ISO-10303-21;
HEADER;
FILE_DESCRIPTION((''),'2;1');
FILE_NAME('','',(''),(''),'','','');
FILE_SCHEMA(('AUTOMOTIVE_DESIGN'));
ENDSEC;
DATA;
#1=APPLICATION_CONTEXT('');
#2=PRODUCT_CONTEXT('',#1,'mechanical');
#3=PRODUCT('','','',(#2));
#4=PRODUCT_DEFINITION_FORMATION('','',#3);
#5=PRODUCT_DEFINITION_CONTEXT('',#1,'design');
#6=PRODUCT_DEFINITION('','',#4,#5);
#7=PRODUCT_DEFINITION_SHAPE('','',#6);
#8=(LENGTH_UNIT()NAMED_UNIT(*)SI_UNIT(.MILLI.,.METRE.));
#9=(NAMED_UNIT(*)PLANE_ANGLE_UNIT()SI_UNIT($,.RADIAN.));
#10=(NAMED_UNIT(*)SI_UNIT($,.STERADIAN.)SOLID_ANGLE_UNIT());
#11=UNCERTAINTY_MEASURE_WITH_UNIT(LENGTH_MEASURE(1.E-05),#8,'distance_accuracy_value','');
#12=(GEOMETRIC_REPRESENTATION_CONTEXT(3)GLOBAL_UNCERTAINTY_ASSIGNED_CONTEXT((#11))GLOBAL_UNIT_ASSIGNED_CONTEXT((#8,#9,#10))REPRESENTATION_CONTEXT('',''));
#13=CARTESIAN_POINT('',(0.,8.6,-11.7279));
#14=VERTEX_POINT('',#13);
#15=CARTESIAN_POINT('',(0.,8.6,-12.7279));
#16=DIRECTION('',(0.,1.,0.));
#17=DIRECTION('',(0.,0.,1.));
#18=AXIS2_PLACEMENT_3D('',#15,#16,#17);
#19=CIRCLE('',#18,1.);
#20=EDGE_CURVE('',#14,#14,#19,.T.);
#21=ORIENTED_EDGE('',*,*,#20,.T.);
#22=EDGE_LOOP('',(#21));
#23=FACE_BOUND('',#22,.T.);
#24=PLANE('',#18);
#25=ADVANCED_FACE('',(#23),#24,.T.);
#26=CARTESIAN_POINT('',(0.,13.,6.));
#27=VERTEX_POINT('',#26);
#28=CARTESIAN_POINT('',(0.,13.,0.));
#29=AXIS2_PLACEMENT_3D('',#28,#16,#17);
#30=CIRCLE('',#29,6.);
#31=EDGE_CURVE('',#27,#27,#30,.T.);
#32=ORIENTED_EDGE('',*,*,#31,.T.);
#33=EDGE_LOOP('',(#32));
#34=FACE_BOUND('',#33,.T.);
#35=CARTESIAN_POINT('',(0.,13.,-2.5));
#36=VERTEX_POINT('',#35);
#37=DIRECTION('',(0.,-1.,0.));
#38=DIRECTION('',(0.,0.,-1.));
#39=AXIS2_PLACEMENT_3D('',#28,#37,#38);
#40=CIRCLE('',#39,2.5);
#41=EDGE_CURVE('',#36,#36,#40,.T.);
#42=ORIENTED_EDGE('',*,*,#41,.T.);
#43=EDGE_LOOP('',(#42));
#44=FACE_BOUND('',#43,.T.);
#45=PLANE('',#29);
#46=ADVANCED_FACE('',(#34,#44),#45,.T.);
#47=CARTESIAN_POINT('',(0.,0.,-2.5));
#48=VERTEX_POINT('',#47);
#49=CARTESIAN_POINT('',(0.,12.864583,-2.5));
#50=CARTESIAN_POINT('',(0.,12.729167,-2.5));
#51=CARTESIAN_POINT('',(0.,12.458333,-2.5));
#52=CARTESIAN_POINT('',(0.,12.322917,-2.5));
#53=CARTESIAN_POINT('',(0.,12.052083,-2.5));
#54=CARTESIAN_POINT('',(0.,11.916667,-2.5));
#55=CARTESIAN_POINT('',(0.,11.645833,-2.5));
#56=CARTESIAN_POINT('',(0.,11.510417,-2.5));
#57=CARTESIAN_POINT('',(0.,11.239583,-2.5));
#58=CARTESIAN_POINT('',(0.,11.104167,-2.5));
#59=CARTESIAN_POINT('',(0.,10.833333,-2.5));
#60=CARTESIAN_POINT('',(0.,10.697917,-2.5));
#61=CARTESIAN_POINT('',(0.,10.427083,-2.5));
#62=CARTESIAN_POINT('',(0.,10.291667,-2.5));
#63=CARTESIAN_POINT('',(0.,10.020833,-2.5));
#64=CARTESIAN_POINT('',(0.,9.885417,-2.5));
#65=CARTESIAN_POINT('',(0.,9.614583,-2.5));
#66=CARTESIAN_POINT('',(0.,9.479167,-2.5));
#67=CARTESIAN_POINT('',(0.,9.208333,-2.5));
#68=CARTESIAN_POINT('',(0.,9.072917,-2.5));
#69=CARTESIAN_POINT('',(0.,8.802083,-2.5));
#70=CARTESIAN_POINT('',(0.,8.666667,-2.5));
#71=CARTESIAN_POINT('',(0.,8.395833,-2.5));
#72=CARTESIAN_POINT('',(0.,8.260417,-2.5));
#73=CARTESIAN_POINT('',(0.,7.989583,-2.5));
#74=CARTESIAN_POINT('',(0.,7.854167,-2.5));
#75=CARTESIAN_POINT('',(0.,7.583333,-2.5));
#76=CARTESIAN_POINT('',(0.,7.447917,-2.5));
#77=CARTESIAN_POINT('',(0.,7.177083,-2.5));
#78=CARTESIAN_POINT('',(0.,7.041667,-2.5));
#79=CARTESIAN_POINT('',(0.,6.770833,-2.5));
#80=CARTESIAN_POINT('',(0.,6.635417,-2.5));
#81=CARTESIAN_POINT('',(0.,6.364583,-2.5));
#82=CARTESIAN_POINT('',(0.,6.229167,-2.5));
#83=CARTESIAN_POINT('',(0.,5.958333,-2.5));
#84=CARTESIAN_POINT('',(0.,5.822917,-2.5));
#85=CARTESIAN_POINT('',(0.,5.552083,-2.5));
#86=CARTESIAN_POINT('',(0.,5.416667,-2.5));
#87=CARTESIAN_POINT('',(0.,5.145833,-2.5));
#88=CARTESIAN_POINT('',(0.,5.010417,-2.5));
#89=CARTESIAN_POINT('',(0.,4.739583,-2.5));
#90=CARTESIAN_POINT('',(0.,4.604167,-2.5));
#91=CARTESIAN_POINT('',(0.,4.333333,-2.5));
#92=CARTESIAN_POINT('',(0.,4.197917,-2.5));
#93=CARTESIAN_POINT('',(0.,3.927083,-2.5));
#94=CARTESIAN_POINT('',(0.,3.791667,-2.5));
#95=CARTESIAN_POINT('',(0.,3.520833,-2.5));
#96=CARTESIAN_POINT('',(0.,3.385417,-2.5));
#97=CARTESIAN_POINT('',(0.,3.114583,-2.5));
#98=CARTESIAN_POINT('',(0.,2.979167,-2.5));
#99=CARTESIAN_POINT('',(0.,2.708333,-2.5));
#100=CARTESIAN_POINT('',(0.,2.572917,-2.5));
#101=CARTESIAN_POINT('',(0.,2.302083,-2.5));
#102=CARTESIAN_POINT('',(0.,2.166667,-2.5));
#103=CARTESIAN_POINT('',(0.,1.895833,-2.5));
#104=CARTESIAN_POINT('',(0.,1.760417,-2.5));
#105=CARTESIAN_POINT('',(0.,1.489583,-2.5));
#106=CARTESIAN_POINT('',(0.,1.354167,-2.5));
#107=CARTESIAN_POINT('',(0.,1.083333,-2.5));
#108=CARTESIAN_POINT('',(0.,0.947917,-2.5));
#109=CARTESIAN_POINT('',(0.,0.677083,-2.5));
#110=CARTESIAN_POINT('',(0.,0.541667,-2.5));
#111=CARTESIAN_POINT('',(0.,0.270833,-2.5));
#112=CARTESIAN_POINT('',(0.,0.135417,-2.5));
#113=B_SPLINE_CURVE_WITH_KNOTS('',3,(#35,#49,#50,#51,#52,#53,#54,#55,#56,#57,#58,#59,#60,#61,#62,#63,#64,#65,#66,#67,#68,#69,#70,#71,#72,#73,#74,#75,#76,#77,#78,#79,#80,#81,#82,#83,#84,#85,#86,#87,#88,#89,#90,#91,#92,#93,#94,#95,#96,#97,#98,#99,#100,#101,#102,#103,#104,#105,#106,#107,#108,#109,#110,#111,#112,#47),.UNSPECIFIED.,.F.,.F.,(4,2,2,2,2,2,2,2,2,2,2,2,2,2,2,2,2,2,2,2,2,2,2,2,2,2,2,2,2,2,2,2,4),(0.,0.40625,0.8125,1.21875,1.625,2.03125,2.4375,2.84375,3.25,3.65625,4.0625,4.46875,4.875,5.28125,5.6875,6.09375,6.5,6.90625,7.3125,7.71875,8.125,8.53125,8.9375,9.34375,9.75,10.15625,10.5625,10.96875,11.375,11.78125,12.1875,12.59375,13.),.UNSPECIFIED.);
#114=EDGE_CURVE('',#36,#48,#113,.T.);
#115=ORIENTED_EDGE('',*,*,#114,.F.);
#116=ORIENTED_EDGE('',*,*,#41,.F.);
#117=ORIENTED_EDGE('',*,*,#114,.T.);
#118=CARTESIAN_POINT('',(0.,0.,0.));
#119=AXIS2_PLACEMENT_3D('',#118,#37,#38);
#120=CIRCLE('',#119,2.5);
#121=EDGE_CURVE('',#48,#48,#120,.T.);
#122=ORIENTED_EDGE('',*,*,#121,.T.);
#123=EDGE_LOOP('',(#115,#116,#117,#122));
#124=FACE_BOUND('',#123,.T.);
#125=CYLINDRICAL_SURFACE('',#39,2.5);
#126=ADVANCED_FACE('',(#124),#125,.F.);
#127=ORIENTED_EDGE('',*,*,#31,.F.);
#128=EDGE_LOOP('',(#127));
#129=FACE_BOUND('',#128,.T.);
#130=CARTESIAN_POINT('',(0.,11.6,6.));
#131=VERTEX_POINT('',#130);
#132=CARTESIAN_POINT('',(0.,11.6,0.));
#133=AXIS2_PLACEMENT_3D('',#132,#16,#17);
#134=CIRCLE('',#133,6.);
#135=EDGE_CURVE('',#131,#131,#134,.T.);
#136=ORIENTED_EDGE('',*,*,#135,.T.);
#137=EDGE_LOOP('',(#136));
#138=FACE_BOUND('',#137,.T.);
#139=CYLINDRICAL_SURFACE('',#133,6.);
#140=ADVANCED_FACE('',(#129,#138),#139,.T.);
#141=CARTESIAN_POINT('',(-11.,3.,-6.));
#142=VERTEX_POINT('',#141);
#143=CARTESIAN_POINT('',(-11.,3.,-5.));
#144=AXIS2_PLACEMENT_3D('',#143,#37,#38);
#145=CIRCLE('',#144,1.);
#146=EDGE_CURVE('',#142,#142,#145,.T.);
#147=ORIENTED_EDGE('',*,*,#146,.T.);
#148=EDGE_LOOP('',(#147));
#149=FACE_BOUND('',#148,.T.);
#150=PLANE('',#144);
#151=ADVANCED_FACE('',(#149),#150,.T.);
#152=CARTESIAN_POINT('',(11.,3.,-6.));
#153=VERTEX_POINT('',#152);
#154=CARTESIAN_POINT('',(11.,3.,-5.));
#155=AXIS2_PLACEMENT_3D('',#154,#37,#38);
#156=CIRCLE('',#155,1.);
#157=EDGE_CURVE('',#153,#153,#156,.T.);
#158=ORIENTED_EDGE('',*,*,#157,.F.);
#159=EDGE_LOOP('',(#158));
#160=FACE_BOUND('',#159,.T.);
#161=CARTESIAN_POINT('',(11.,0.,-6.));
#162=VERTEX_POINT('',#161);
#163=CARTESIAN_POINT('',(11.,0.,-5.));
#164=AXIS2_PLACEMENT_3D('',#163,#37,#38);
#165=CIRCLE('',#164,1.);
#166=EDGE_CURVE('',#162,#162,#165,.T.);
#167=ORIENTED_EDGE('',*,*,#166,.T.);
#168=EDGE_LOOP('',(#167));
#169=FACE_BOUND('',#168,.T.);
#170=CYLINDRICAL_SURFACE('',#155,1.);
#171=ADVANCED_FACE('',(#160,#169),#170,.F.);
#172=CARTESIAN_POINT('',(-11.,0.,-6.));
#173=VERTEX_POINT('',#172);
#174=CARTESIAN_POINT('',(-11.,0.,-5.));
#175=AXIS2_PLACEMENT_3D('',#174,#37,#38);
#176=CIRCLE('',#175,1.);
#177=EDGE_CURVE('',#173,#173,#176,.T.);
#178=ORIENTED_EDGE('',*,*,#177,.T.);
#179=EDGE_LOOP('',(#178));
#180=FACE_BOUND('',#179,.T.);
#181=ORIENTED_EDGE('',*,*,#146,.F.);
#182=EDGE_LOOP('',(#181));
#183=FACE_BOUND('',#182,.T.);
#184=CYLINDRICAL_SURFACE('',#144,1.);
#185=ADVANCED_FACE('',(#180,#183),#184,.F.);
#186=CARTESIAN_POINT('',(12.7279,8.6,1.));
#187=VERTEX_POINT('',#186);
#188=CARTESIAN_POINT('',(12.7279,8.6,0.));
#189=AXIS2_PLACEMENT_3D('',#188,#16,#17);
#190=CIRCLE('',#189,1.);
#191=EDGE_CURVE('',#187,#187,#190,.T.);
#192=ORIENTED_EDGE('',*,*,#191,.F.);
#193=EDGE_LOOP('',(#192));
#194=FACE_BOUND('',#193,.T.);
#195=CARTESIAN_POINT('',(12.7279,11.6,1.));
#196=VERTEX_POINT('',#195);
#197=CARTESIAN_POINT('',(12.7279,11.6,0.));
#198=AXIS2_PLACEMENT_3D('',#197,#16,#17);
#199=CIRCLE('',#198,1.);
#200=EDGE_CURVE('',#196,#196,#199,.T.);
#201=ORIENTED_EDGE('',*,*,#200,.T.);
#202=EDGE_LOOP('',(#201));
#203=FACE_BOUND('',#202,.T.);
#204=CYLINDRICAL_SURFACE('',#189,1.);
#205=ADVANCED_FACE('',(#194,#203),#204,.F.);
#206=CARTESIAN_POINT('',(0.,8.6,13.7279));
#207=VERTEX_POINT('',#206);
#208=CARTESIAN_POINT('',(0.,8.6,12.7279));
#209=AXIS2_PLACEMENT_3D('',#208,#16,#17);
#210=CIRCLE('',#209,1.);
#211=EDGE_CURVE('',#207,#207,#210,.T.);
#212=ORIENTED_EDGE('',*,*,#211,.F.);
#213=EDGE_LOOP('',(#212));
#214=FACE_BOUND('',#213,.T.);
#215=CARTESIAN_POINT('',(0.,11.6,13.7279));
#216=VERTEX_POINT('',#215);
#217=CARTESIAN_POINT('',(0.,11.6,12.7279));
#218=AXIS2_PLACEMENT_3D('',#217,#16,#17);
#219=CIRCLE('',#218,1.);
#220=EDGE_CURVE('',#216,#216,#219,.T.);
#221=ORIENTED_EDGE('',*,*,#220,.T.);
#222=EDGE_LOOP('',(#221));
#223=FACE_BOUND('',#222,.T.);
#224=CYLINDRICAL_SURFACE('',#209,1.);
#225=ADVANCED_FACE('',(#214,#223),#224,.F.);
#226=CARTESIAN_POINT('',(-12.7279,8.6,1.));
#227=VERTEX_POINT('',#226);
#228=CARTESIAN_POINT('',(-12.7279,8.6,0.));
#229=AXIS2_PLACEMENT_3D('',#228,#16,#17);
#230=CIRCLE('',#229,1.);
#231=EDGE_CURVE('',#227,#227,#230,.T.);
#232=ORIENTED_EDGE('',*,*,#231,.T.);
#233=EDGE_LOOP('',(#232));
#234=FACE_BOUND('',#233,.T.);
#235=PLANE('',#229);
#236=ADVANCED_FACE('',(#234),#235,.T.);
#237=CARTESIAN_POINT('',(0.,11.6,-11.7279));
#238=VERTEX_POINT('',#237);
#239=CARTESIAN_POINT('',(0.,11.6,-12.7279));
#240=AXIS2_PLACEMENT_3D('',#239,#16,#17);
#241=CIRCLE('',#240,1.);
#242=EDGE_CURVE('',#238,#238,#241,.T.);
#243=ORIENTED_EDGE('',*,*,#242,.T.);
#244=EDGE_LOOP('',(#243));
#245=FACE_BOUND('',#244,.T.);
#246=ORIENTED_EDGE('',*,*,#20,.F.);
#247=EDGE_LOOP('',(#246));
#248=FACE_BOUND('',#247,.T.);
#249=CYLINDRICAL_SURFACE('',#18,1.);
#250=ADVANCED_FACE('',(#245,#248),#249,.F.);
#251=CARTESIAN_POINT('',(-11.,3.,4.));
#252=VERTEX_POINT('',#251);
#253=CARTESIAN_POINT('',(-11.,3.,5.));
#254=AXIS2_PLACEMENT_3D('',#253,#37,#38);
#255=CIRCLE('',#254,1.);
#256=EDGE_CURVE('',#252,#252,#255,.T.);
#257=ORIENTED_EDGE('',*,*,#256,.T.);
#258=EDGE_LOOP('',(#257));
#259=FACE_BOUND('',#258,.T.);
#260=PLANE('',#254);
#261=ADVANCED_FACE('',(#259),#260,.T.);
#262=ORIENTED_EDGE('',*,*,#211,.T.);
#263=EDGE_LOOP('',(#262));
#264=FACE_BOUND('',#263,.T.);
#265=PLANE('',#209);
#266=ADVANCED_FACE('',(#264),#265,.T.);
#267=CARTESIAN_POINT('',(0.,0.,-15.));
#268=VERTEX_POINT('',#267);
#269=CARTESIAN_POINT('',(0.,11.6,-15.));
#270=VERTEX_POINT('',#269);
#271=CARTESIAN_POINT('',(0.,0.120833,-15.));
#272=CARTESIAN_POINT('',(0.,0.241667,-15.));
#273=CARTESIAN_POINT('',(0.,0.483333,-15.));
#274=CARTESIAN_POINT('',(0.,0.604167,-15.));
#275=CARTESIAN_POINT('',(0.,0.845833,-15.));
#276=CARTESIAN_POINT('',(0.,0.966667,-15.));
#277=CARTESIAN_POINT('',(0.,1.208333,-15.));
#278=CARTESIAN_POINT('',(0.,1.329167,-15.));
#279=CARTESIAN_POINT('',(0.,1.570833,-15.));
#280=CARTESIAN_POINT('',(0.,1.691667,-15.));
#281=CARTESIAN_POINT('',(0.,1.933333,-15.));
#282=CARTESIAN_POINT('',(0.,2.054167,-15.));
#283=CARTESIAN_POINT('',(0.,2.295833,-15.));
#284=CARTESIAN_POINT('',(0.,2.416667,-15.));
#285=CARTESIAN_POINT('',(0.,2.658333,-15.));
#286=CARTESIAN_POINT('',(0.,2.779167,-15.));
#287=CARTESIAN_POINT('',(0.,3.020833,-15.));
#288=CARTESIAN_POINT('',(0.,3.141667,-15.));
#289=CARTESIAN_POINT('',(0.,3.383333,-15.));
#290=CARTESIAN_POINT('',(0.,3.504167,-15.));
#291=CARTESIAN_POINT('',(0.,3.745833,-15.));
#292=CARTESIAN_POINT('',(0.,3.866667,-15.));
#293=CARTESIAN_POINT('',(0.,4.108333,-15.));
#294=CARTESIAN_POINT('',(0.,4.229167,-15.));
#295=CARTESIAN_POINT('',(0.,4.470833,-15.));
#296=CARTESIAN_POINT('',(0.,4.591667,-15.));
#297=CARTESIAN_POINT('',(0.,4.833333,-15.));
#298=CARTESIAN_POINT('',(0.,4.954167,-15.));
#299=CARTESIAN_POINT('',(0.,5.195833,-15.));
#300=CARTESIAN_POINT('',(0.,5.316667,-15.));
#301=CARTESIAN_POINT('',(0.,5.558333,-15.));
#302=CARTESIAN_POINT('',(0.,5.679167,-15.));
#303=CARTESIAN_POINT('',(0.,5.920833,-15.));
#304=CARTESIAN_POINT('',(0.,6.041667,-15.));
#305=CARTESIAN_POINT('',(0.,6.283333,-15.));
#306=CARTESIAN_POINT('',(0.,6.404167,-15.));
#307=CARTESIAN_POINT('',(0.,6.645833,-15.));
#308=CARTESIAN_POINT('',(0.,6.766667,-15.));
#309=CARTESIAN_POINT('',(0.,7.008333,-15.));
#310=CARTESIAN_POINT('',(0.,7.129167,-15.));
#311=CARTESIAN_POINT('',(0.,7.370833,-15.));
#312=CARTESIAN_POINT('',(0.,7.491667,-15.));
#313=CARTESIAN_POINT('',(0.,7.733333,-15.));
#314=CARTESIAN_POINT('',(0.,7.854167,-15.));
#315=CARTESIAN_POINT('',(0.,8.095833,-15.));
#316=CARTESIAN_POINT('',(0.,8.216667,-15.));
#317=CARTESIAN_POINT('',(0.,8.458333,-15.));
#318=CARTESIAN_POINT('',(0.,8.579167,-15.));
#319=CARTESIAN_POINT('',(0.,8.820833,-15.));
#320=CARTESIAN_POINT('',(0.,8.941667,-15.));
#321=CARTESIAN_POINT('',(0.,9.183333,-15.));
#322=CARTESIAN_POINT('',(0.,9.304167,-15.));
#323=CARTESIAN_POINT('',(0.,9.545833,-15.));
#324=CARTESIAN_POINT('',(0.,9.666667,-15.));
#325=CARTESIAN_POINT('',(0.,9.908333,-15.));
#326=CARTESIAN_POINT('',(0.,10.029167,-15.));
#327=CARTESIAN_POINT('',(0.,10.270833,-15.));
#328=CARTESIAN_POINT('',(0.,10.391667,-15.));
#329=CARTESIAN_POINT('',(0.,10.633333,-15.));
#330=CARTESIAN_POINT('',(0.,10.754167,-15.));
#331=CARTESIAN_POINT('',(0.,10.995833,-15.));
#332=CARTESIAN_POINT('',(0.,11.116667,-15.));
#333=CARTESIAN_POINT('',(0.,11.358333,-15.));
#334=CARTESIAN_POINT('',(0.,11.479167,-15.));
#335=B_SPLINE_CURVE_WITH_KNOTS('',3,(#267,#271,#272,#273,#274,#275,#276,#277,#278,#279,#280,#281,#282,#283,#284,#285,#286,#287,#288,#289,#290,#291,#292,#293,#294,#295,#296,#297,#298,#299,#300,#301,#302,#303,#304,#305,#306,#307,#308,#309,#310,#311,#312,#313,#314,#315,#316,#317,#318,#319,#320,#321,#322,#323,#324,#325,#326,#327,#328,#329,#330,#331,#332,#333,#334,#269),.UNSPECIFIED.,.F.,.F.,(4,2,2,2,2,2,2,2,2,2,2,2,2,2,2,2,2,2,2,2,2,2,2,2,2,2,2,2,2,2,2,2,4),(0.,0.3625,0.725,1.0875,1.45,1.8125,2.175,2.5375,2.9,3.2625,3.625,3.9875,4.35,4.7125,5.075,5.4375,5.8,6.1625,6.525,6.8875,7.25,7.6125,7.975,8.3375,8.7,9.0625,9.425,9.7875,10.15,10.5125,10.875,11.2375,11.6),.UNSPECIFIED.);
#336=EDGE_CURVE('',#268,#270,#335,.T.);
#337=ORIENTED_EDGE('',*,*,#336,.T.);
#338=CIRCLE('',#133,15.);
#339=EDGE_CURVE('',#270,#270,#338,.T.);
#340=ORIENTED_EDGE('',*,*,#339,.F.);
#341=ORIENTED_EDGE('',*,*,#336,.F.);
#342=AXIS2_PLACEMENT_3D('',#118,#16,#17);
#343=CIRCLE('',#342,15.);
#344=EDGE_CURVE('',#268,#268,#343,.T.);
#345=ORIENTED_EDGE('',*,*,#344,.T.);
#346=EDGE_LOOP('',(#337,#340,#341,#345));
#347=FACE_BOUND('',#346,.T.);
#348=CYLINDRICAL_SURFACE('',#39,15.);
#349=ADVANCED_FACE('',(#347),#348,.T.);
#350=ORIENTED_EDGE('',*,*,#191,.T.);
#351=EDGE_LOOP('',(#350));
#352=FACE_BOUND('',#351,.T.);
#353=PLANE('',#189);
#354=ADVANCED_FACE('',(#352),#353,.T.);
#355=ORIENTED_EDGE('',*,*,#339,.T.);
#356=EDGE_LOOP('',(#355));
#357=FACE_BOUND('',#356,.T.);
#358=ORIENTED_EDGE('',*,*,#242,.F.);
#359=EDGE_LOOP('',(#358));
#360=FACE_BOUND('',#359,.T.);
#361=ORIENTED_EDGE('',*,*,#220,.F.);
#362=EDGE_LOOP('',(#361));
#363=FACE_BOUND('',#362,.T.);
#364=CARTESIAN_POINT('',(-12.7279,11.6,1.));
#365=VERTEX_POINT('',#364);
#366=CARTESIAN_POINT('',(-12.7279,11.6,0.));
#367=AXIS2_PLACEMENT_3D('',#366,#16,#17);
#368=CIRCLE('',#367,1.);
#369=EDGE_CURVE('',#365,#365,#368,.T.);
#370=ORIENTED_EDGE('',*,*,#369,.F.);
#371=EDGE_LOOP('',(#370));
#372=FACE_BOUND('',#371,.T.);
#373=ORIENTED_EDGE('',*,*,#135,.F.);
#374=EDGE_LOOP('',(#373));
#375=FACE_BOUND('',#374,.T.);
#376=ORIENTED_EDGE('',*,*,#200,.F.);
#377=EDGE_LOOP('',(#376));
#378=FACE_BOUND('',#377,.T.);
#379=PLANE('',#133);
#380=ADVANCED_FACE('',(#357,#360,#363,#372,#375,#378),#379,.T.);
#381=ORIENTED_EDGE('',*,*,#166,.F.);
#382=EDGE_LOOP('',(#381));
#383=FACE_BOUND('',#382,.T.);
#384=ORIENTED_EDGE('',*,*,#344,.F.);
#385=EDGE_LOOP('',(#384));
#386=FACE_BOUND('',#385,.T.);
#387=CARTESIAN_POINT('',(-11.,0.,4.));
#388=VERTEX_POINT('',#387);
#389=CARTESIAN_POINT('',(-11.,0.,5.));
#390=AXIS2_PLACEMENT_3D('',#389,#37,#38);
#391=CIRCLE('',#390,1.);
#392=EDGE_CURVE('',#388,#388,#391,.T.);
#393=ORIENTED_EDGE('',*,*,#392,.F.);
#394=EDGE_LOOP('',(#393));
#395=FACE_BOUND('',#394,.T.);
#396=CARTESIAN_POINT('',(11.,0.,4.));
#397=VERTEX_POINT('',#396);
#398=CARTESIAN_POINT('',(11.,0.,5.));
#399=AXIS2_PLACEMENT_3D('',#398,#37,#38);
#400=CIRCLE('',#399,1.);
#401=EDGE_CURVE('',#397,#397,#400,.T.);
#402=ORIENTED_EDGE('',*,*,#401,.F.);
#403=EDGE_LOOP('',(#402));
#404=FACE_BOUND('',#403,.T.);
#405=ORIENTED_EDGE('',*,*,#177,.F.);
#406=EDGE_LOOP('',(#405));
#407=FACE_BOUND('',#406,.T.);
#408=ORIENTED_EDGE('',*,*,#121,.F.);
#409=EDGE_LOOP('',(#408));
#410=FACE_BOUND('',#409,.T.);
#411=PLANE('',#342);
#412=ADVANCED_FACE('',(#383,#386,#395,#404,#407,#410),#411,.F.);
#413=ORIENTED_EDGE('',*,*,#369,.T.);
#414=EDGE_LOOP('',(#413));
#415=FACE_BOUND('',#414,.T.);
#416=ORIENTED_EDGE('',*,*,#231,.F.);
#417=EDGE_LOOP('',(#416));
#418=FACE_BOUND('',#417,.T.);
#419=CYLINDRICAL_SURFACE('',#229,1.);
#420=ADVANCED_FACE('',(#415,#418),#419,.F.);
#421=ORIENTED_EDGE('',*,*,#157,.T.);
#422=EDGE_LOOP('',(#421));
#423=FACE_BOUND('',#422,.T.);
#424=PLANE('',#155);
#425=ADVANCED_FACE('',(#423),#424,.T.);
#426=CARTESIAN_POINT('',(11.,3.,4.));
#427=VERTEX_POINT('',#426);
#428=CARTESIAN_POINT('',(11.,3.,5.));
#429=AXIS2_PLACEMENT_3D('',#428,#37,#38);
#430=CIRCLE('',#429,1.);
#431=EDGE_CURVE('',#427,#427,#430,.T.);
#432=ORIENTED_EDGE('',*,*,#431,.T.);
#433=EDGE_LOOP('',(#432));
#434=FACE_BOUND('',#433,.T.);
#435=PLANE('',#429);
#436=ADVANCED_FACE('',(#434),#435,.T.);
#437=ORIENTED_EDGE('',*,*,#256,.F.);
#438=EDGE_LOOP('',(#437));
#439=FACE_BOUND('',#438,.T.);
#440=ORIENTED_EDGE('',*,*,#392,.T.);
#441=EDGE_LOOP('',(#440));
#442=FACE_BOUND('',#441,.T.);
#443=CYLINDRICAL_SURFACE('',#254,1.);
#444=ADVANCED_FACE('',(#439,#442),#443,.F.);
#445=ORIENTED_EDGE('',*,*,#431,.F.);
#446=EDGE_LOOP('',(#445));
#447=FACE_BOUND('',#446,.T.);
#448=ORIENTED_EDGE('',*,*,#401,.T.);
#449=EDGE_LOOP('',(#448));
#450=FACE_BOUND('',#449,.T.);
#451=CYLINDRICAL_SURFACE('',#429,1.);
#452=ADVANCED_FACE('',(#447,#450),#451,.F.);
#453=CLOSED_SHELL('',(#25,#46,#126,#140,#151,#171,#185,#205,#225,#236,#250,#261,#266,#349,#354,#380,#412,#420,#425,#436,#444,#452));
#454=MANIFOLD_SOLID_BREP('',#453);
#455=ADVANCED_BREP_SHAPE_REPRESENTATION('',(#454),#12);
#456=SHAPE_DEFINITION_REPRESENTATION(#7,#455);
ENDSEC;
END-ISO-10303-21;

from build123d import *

# Parameters (mm, degrees)
SKETCH1_R      = 15
EXTRUDE1_DEPTH = 13
EXTRUDE2_START = -1.4
SKETCH2_R      = 15
SKETCH2_R_2    = 6
EXTRUDE2_DEPTH = 1.4
SKETCH3_R      = 1
EXTRUDE3_DEPTH = 4.4
SKETCH5_R      = 1
EXTRUDE5_DEPTH = 3
SKETCH6_R      = 2.5
EXTRUDE6_DEPTH = 25.879710609


with BuildPart() as part:
    # Sketch1 → Extrude1 (new body)
    with BuildSketch(Plane(origin=(0, 0, 0), x_dir=(1, 0, 0), z_dir=(0, 1, 0))):
        Circle(SKETCH1_R)
    extrude(amount=EXTRUDE1_DEPTH)

    # Sketch2 → Extrude2 (cut)
    with BuildSketch(Plane(origin=(0, 13, 0), x_dir=(1, 0, 0), z_dir=(0, 1, 0)).offset(EXTRUDE2_START)):
        Circle(SKETCH2_R)
        Circle(SKETCH2_R_2, mode=Mode.SUBTRACT)
    extrude(amount=EXTRUDE2_DEPTH, mode=Mode.SUBTRACT)

    # Sketch3 → Extrude3 (cut)
    with BuildSketch(Plane(origin=(0, 13, 0), x_dir=(1, 0, 0), z_dir=(0, 1, 0))):
        with Locations((0, 12.7279)):
            Circle(SKETCH3_R)
        with Locations((12.7279, 0)):
            Circle(SKETCH3_R)
        with Locations((0, -12.7279)):
            Circle(SKETCH3_R)
        with Locations((-12.7279, 0)):
            Circle(SKETCH3_R)
    extrude(amount=-EXTRUDE3_DEPTH, mode=Mode.SUBTRACT)

    # Sketch5 → Extrude5 (cut)
    with BuildSketch(Plane.XZ):
        with Locations((-11, 5)):
            Circle(SKETCH5_R)
        with Locations((11, 5)):
            Circle(SKETCH5_R)
        with Locations((11, -5)):
            Circle(SKETCH5_R)
        with Locations((-11, -5)):
            Circle(SKETCH5_R)
    extrude(amount=-EXTRUDE5_DEPTH, mode=Mode.SUBTRACT)

    # Sketch6 → Extrude6 (cut, through all)
    with BuildSketch(Plane.XZ):
        Circle(SKETCH6_R)
    extrude(amount=-EXTRUDE6_DEPTH, mode=Mode.SUBTRACT)


solid = part.part
